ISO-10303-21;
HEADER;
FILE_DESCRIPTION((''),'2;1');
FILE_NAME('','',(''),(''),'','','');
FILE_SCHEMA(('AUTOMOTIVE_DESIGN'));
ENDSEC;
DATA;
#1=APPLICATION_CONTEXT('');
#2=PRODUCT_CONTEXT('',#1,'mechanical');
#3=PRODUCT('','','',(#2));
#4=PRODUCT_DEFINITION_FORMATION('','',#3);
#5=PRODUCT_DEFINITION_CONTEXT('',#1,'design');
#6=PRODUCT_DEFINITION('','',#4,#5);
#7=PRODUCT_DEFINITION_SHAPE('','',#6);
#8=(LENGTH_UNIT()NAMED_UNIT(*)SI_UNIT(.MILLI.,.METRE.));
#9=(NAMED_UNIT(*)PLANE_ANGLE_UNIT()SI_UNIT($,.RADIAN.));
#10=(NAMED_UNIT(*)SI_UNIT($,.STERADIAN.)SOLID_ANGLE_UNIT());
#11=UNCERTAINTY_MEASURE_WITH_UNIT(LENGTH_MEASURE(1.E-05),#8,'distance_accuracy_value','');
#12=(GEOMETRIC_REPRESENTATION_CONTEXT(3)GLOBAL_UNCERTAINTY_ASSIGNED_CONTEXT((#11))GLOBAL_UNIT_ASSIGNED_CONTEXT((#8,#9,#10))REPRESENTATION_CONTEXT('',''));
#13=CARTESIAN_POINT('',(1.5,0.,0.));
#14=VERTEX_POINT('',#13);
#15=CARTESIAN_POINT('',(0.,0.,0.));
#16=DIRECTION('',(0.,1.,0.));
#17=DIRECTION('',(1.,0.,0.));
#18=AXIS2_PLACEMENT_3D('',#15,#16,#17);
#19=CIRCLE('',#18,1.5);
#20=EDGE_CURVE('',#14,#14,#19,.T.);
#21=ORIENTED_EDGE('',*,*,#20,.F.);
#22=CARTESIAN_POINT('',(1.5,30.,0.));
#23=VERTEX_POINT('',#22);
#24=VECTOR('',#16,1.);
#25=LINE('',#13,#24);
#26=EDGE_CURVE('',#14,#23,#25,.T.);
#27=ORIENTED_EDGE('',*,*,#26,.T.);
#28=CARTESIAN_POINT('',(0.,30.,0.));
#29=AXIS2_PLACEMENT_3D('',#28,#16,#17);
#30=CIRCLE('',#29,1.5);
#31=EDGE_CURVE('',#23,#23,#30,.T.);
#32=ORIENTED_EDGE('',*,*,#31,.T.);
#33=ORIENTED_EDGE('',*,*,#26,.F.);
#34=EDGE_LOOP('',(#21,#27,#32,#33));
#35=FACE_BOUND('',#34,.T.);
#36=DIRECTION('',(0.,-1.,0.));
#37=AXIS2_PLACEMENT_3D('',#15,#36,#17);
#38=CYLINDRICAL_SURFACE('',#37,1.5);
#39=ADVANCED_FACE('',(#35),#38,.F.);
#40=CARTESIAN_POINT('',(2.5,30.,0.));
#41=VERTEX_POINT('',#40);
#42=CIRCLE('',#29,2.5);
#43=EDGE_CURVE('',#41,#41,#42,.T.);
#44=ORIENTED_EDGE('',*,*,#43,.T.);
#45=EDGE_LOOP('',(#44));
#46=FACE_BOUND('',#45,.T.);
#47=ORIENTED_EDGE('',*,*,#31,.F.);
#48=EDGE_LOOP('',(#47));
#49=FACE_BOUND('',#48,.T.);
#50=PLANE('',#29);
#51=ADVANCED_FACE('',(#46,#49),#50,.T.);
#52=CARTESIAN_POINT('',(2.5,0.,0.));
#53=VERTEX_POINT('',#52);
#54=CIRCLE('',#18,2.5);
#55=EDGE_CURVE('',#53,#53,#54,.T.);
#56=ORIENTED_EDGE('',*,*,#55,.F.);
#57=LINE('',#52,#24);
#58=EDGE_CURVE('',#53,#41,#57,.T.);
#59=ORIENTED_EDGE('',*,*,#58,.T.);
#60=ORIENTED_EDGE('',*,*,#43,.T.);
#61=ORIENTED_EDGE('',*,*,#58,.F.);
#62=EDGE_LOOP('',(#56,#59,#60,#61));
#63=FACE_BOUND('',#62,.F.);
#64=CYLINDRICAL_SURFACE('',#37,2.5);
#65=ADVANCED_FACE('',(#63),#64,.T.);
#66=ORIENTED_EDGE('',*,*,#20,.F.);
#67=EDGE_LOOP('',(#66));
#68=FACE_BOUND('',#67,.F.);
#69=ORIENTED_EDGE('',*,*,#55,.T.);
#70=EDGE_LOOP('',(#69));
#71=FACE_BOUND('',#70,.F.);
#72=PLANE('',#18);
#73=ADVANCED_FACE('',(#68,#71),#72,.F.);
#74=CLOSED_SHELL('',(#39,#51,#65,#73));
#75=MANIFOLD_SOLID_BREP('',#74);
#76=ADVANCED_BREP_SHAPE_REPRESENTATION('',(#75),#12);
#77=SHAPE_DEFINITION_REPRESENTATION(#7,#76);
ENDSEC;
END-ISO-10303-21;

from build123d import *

# Parameters (mm, degrees)
SKETCH_1_R      = 2.5
SKETCH_1_R_2    = 1.5
EXTRUDE_1_DEPTH = 30


with BuildPart() as part:
    # 草图1 → 凸台-拉伸1 (new body)
    with BuildSketch(Plane(origin=(0, 0, 0), x_dir=(1, 0, 0), z_dir=(0, 1, 0))):
        Circle(SKETCH_1_R)
        Circle(SKETCH_1_R_2, mode=Mode.SUBTRACT)
    extrude(amount=EXTRUDE_1_DEPTH)


solid = part.part
